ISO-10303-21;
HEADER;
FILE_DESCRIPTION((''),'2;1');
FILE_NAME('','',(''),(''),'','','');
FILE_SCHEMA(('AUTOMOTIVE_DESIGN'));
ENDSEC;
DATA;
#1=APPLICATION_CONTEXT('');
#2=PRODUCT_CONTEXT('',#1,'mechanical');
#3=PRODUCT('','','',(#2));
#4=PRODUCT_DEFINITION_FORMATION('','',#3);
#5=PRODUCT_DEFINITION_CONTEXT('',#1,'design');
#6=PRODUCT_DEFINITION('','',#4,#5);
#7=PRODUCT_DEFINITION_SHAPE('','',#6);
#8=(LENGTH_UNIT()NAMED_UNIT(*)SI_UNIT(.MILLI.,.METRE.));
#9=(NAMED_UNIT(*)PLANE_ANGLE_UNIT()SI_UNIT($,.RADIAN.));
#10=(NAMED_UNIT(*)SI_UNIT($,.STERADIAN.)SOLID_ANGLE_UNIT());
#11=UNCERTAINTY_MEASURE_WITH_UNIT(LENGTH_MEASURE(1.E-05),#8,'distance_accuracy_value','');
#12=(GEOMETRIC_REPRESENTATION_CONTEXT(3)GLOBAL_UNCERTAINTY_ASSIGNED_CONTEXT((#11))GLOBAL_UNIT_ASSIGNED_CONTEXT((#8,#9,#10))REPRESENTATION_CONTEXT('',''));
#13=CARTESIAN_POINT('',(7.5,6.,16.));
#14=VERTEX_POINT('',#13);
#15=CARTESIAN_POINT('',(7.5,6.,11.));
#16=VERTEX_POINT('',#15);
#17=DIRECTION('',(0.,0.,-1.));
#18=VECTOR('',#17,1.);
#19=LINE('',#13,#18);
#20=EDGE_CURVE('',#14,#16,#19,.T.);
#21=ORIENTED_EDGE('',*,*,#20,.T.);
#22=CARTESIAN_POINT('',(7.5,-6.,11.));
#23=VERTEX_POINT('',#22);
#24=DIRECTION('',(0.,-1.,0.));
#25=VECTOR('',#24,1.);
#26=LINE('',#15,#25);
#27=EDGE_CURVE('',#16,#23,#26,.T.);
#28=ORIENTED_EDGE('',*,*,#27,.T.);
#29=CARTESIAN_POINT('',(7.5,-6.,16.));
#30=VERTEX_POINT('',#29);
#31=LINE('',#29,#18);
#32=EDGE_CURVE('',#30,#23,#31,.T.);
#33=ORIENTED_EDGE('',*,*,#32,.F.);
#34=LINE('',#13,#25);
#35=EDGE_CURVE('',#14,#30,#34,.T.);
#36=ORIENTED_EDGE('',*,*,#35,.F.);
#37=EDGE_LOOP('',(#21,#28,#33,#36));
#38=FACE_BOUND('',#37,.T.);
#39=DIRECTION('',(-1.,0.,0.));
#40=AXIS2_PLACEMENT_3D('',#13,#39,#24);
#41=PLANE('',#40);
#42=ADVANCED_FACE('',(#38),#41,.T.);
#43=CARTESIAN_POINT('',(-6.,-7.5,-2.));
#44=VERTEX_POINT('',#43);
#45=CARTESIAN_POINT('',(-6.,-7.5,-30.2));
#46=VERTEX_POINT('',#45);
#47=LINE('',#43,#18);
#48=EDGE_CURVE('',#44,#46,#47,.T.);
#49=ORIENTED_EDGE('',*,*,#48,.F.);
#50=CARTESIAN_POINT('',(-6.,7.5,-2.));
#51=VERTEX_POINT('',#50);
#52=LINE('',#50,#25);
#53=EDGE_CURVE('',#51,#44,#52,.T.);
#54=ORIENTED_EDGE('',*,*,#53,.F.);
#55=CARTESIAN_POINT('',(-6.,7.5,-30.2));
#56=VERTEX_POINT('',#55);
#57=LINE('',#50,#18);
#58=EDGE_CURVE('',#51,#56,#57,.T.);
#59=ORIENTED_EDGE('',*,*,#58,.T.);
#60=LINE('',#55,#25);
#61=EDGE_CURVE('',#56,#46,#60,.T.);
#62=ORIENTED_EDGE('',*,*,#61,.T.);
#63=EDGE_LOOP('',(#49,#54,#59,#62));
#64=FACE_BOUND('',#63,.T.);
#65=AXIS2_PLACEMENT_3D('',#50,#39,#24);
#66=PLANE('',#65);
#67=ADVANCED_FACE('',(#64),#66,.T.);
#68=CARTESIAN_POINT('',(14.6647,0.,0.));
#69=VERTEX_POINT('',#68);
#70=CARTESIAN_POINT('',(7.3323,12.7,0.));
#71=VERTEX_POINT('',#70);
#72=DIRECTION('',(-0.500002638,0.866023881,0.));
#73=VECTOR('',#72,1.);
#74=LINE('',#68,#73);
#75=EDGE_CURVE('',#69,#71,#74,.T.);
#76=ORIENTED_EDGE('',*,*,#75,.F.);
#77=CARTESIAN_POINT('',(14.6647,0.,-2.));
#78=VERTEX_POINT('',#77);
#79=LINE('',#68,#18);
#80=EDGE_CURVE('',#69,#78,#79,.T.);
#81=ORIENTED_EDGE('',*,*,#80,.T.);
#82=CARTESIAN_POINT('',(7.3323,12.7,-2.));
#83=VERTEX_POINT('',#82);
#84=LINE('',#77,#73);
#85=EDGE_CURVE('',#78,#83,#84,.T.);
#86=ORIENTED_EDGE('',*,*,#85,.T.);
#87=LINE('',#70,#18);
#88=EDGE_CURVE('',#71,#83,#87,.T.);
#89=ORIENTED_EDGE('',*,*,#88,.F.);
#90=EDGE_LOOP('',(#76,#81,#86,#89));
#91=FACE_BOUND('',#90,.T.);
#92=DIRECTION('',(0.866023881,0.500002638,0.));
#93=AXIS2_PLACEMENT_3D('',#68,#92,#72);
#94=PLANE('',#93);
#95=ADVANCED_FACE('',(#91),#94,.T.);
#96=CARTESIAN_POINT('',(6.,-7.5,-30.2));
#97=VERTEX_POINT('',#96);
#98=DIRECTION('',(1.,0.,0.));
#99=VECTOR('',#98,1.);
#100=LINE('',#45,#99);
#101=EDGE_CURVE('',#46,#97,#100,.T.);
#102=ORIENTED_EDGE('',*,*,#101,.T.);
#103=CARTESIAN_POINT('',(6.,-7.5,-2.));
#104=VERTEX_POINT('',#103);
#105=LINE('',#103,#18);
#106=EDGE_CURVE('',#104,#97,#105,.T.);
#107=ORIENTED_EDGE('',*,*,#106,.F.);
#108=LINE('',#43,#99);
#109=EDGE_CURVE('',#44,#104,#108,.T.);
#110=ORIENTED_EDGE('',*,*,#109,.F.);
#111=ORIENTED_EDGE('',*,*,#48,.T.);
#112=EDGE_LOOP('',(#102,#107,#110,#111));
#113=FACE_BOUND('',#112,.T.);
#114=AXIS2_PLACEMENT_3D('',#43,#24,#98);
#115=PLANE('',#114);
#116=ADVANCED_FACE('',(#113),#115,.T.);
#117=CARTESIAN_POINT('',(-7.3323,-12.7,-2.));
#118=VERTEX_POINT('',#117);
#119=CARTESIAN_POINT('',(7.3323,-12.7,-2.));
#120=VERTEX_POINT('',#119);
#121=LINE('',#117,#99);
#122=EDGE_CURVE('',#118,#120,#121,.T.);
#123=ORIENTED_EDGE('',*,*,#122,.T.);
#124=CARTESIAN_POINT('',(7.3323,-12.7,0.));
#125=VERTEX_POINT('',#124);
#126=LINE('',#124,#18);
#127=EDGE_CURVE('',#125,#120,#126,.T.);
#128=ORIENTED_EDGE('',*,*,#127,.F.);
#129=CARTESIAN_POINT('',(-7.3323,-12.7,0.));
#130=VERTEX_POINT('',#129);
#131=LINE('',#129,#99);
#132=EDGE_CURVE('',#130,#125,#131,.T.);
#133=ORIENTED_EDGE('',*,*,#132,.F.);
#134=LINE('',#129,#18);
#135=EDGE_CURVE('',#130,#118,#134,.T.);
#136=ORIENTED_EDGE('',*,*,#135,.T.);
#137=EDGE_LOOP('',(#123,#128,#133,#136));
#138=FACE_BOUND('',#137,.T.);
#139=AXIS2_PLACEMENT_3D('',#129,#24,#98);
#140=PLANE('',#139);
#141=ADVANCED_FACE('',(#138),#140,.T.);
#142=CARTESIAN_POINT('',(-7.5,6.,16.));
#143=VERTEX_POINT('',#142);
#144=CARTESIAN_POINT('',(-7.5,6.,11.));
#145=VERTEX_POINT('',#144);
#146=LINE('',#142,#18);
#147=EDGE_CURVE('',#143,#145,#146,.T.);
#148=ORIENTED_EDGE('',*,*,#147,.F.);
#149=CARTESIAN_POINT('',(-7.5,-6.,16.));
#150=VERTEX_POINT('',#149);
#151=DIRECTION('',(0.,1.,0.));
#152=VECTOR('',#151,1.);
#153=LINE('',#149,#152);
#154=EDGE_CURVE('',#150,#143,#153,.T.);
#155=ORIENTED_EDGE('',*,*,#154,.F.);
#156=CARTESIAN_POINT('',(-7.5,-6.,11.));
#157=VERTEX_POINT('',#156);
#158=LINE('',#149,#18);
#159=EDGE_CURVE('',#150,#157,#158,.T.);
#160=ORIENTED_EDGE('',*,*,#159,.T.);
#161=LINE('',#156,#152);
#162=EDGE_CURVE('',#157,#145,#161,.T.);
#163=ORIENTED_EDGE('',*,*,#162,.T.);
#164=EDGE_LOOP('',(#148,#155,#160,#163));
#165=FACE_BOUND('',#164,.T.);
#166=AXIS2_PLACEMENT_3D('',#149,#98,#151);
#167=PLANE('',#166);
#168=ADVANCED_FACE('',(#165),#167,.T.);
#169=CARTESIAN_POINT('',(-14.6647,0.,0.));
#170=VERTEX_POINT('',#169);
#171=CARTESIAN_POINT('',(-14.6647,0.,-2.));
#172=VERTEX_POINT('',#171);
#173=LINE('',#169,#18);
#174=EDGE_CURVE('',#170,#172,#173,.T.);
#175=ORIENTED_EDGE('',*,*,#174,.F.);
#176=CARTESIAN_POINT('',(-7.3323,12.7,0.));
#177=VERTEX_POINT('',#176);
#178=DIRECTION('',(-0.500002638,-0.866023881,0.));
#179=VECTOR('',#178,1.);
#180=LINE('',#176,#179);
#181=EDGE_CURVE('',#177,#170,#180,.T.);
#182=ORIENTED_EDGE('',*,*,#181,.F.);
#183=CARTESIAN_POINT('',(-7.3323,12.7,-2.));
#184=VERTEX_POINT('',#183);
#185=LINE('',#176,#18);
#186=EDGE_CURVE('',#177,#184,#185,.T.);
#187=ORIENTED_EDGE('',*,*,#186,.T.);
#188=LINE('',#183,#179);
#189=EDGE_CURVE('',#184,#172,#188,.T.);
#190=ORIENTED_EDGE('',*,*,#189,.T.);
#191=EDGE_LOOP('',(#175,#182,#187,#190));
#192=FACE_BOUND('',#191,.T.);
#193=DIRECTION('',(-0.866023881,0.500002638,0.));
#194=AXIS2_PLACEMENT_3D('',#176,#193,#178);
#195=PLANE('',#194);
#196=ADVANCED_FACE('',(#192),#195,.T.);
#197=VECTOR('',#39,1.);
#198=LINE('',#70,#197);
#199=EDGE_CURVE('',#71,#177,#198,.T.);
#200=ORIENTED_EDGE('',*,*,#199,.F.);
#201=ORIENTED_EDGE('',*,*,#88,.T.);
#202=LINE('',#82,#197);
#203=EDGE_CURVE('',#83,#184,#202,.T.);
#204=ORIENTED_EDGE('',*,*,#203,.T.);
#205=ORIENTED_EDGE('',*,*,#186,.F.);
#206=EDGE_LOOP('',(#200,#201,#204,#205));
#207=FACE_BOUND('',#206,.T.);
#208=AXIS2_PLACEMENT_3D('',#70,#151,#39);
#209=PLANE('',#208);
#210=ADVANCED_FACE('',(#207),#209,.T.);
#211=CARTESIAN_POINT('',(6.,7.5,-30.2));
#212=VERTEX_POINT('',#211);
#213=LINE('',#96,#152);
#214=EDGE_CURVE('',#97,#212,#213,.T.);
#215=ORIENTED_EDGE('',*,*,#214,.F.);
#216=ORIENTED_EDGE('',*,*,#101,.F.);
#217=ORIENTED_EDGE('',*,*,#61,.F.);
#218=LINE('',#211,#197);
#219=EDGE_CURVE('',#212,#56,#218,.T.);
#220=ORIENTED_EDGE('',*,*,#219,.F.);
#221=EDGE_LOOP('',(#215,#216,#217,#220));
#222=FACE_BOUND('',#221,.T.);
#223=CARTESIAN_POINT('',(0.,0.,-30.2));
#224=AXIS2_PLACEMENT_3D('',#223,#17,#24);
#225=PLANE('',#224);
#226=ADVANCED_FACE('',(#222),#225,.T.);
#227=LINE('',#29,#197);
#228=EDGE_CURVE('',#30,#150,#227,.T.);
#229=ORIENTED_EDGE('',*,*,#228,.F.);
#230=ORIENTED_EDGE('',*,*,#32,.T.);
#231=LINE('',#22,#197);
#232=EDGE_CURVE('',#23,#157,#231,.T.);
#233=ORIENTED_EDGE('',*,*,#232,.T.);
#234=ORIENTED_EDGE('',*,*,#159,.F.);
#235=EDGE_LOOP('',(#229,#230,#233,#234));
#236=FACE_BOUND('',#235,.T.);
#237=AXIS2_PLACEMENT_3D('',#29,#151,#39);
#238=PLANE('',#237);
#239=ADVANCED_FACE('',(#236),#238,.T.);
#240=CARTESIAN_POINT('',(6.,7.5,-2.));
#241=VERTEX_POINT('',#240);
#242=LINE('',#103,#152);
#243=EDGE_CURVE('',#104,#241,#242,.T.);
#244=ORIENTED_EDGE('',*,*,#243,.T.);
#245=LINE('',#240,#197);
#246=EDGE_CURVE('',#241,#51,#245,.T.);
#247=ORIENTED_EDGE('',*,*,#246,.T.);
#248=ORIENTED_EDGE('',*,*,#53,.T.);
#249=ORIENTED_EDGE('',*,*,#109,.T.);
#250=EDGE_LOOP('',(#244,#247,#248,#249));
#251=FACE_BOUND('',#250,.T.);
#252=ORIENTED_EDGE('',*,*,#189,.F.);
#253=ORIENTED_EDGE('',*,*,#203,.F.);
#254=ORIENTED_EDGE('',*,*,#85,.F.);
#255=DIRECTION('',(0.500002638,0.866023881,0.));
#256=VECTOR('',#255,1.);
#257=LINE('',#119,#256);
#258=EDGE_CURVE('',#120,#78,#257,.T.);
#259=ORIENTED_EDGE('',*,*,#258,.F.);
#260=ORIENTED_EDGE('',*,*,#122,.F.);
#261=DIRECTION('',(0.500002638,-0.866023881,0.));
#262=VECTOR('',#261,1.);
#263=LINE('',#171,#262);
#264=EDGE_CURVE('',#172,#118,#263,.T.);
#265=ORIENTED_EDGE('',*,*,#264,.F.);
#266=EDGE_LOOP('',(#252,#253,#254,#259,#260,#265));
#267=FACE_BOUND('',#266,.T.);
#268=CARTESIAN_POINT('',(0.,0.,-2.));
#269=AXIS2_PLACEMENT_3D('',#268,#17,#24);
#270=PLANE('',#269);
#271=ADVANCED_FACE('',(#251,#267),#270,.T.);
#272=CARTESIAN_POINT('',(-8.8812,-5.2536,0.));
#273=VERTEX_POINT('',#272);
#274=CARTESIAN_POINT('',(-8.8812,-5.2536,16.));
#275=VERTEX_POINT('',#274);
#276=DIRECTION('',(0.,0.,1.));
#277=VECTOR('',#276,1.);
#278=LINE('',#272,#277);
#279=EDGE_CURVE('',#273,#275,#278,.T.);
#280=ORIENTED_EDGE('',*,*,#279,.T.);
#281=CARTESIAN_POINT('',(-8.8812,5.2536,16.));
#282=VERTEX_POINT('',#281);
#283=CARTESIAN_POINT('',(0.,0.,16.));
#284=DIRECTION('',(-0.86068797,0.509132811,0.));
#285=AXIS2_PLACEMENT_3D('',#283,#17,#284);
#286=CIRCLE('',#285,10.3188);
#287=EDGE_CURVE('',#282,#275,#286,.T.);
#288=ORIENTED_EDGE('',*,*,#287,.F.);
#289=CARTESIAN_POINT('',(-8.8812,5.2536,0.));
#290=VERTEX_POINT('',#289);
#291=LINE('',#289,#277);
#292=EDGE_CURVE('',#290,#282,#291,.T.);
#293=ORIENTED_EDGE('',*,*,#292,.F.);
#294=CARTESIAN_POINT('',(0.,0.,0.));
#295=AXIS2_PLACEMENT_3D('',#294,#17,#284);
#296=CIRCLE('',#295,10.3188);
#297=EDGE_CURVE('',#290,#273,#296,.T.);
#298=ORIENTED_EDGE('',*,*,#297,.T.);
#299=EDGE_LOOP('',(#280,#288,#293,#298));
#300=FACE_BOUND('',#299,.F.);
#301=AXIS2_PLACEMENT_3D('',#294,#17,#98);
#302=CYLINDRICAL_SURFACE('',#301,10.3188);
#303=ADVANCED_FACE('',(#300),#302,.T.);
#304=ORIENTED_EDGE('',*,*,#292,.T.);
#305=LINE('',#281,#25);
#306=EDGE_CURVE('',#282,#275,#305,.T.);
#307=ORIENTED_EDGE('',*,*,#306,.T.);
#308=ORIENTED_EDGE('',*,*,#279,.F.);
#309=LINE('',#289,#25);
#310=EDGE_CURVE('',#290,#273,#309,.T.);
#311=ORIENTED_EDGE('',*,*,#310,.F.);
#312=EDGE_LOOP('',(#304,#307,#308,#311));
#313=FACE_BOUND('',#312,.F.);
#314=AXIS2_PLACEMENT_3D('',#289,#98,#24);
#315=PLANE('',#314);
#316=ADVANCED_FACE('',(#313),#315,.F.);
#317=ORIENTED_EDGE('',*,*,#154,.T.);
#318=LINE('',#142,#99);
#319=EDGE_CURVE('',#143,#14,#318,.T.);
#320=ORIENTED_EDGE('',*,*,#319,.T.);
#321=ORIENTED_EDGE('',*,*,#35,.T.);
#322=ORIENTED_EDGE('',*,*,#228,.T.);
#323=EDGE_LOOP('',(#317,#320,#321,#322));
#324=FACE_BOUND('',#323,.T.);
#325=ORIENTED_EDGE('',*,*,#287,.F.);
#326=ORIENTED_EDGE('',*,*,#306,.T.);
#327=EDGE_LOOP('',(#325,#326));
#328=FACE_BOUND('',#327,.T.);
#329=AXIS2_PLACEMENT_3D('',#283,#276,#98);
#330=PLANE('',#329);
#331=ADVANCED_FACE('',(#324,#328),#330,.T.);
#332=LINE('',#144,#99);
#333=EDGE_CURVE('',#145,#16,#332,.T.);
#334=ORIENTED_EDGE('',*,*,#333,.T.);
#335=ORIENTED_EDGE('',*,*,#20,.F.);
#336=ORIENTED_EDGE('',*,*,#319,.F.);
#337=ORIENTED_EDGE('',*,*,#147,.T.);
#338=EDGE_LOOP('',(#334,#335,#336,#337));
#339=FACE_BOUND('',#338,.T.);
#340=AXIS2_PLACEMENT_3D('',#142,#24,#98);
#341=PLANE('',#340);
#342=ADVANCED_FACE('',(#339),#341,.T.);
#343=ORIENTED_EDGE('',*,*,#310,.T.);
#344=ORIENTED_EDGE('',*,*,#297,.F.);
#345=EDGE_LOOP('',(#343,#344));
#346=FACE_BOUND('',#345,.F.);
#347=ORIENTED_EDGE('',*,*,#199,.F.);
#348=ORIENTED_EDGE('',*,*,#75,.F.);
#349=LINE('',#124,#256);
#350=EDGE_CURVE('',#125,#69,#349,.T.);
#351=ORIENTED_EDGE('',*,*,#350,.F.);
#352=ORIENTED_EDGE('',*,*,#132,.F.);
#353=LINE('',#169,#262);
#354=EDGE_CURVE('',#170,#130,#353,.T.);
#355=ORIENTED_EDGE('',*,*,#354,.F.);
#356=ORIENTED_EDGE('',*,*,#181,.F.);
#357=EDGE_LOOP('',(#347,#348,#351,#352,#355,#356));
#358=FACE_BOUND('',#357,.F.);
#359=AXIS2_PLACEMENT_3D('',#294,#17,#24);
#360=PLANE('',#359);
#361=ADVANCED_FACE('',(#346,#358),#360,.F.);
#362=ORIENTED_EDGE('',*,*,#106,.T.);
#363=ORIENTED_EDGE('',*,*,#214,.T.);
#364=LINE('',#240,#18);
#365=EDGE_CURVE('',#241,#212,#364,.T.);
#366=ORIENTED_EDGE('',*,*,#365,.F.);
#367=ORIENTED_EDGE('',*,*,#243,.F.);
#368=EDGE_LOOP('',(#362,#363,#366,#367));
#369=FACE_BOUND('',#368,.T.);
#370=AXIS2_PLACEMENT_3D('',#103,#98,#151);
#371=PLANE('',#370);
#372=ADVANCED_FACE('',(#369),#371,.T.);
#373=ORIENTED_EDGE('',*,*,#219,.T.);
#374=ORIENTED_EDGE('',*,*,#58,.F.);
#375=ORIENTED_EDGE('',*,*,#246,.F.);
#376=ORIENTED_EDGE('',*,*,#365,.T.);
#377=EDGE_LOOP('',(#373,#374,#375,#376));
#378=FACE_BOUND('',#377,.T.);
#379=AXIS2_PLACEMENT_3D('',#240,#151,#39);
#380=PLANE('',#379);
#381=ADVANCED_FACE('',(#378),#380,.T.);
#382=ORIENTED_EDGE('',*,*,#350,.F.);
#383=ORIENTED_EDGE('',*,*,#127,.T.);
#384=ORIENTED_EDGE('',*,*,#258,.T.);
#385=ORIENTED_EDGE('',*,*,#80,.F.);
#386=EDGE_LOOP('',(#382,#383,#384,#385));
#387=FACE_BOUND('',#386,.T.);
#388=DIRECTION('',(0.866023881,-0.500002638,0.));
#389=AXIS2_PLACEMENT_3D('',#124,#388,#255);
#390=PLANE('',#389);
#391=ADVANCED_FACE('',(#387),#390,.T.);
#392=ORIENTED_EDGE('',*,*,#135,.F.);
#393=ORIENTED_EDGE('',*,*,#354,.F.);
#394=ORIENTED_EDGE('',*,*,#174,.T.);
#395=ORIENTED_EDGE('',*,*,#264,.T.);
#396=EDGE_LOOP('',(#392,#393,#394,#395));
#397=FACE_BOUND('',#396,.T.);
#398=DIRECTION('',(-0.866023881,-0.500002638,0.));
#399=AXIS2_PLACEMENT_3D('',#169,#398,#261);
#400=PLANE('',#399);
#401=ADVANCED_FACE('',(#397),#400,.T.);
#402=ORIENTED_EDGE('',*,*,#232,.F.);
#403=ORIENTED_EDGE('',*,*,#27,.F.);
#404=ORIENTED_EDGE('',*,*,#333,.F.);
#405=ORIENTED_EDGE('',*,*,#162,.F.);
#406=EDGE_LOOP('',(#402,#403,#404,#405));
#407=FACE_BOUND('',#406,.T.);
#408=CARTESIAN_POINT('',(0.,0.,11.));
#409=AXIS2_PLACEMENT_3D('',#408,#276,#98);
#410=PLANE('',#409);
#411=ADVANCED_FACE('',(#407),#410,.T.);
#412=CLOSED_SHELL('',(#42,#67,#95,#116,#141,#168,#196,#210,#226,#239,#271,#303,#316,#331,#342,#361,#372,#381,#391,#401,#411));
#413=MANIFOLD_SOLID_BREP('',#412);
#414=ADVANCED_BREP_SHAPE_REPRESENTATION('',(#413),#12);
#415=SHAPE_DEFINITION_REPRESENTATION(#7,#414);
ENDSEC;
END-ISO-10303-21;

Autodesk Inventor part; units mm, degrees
ref_plane "YZ Plane" through (0, 0, 0) normal (1, 0, 0) x (0, 1, 0)
ref_plane "XZ Plane" through (0, 0, 0) normal (0, 1, 0) x (-1, 0, 0)
ref_plane "XY Plane" through (0, 0, 0) normal (0, 0, 1) x (1, 0, 0)
sketch "Sketch1" plane through (0, 0, 0) normal (0, 0, 1) x (1, 0, 0)
  circle A0 centre (0, 0) radius 10.3188
  line L0 (-8.8812, 5.2536) -> (-8.8812, -5.2536)
  dimension "d0" = 20.6375
  dimension "d10" = 19.2
extrude "Extrusion1" add sketch "Sketch1" along normal blind 16 contours A0 L0 picked at (-2.4812, 0)
sketch "Sketch2" plane through (0, 0, 0) normal (0, 0, -1) x (0, -1, 0)
  line L0 (0, 14.6647) -> (12.7, 7.3323)
  line L1 (12.7, 7.3323) -> (12.7, -7.3323)
  line L2 (12.7, -7.3323) -> (0, -14.6647)
  line L3 (0, -14.6647) -> (-12.7, -7.3323)
  line L4 (-12.7, -7.3323) -> (-12.7, 7.3323)
  line L5 (-12.7, 7.3323) -> (0, 14.6647)
  point P0 (0, 0)
  point P1 (0, 0)
  dimension "d3" = 25.4
extrude "Extrusion2" add sketch "Sketch2" along normal blind 2
sketch "Sketch3" plane through (0, 0, -2) normal (0, 0, -1) x (0, -1, 0)
  line L0 (-7.5, 6) -> (7.5, 6)
  line L1 (7.5, 6) -> (7.5, -6)
  line L2 (7.5, -6) -> (-7.5, -6)
  line L3 (-7.5, -6) -> (-7.5, 6)
  point P0 (0, 0)
  point P1 (-7.5, 0)
  point P2 (0, 6)
  dimension "d6" = 15
  dimension "d7" = 12
extrude "Extrusion3" add sketch "Sketch3" along normal blind 28.2
thread "Thread1" size "13/16-28 UN" class "2A" standard "ANSI Unified Screw Threads" full length
sketch "Sketch4" plane through (0, 0, 16) normal (0, 0, 1) x (1, 0, 0)
  line L0 (-7.5, 6) -> (7.5, 6)
  line L1 (7.5, 6) -> (7.5, -6)
  line L2 (7.5, -6) -> (-7.5, -6)
  line L3 (-7.5, -6) -> (-7.5, 6)
  point P0 (0, 0)
  point P1 (7.5, 0)
  point P2 (0, 6)
  dimension "d13" = 15
  dimension "d14" = 12
extrude "Extrusion4" cut sketch "Sketch4" against normal blind 5
properties part number "RS PRO Single-Port RJ45 Female Coupler, Shielded"
